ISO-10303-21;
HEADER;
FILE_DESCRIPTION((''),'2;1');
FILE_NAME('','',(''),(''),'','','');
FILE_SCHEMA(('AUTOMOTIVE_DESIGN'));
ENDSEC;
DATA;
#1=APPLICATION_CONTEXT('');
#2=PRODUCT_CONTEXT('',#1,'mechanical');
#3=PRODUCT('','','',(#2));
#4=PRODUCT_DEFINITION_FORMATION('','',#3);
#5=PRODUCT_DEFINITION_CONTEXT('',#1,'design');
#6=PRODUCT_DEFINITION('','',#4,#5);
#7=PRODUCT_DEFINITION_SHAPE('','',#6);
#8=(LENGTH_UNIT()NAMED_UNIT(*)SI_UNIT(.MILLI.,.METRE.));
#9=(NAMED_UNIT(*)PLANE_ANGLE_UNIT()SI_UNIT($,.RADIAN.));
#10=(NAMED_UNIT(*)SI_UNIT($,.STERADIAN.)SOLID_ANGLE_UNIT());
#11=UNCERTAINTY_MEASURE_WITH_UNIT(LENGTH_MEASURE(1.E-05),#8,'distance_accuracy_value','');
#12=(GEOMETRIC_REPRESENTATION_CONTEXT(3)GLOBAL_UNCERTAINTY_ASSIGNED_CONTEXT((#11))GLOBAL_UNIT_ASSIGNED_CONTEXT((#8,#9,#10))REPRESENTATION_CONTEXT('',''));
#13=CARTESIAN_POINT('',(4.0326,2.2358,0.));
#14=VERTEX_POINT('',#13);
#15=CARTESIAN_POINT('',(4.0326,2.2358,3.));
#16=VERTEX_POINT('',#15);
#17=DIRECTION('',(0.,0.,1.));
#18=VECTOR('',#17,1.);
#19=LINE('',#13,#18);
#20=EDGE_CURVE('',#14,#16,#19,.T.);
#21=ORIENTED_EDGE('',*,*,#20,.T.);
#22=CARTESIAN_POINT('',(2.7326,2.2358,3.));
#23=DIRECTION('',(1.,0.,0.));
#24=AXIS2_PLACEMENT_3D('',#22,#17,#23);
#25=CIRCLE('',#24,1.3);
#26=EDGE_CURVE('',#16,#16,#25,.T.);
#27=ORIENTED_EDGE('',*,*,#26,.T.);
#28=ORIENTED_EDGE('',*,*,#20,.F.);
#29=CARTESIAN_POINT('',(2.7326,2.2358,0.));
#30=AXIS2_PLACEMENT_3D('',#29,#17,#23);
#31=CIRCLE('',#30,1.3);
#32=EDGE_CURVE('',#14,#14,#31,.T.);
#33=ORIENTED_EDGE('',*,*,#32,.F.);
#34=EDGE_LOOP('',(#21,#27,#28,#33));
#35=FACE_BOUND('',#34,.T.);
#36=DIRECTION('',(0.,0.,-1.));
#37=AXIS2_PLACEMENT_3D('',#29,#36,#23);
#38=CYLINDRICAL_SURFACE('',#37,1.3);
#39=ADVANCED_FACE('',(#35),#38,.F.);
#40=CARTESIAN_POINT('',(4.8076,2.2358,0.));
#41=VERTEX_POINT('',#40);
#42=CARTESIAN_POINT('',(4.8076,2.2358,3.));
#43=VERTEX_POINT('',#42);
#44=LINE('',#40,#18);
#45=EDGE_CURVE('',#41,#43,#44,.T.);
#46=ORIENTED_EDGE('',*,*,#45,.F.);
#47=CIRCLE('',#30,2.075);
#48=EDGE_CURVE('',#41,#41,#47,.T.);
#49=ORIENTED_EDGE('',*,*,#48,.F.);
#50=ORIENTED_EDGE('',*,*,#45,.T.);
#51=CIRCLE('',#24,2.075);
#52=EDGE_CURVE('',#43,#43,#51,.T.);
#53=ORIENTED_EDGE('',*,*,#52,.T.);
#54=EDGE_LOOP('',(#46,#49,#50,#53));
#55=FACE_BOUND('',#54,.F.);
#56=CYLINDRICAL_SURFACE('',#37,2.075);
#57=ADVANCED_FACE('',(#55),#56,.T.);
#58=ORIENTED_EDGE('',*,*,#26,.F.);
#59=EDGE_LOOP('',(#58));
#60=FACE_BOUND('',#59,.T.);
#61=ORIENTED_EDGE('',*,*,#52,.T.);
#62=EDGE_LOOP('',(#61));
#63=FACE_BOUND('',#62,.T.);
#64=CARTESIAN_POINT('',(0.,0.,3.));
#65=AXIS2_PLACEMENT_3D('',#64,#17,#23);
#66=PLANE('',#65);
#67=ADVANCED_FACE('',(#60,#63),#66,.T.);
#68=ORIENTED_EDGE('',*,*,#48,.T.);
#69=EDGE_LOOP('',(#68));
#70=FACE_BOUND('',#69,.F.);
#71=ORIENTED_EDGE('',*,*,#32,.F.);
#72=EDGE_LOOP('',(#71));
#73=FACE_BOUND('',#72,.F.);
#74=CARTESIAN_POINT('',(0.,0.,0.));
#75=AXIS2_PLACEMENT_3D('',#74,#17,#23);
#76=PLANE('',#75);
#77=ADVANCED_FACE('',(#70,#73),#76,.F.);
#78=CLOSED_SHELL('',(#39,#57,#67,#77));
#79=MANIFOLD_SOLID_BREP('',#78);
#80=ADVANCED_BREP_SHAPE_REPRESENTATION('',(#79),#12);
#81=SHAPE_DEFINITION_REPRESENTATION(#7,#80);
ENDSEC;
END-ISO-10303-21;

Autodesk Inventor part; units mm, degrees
ref_plane "YZ Plane" through (0, 0, 0) normal (1, 0, 0) x (0, 1, 0)
ref_plane "XZ Plane" through (0, 0, 0) normal (0, 1, 0) x (-1, 0, 0)
ref_plane "XY Plane" through (0, 0, 0) normal (0, 0, 1) x (1, 0, 0)
sketch "Sketch1" plane through (0, 0, 0) normal (0, 0, 1) x (1, 0, 0)
  circle A0 centre (2.7326, 2.2358) radius 1.3
  circle A1 centre (2.7326, 2.2358) radius 2.075
  point P0 (0, 0)
  dimension "d0" = 4.15
  dimension "d1" = 2.6
extrude "Extrusion1" add sketch "Sketch1" along normal blind 3
properties part number "M3 heat-set insert"
